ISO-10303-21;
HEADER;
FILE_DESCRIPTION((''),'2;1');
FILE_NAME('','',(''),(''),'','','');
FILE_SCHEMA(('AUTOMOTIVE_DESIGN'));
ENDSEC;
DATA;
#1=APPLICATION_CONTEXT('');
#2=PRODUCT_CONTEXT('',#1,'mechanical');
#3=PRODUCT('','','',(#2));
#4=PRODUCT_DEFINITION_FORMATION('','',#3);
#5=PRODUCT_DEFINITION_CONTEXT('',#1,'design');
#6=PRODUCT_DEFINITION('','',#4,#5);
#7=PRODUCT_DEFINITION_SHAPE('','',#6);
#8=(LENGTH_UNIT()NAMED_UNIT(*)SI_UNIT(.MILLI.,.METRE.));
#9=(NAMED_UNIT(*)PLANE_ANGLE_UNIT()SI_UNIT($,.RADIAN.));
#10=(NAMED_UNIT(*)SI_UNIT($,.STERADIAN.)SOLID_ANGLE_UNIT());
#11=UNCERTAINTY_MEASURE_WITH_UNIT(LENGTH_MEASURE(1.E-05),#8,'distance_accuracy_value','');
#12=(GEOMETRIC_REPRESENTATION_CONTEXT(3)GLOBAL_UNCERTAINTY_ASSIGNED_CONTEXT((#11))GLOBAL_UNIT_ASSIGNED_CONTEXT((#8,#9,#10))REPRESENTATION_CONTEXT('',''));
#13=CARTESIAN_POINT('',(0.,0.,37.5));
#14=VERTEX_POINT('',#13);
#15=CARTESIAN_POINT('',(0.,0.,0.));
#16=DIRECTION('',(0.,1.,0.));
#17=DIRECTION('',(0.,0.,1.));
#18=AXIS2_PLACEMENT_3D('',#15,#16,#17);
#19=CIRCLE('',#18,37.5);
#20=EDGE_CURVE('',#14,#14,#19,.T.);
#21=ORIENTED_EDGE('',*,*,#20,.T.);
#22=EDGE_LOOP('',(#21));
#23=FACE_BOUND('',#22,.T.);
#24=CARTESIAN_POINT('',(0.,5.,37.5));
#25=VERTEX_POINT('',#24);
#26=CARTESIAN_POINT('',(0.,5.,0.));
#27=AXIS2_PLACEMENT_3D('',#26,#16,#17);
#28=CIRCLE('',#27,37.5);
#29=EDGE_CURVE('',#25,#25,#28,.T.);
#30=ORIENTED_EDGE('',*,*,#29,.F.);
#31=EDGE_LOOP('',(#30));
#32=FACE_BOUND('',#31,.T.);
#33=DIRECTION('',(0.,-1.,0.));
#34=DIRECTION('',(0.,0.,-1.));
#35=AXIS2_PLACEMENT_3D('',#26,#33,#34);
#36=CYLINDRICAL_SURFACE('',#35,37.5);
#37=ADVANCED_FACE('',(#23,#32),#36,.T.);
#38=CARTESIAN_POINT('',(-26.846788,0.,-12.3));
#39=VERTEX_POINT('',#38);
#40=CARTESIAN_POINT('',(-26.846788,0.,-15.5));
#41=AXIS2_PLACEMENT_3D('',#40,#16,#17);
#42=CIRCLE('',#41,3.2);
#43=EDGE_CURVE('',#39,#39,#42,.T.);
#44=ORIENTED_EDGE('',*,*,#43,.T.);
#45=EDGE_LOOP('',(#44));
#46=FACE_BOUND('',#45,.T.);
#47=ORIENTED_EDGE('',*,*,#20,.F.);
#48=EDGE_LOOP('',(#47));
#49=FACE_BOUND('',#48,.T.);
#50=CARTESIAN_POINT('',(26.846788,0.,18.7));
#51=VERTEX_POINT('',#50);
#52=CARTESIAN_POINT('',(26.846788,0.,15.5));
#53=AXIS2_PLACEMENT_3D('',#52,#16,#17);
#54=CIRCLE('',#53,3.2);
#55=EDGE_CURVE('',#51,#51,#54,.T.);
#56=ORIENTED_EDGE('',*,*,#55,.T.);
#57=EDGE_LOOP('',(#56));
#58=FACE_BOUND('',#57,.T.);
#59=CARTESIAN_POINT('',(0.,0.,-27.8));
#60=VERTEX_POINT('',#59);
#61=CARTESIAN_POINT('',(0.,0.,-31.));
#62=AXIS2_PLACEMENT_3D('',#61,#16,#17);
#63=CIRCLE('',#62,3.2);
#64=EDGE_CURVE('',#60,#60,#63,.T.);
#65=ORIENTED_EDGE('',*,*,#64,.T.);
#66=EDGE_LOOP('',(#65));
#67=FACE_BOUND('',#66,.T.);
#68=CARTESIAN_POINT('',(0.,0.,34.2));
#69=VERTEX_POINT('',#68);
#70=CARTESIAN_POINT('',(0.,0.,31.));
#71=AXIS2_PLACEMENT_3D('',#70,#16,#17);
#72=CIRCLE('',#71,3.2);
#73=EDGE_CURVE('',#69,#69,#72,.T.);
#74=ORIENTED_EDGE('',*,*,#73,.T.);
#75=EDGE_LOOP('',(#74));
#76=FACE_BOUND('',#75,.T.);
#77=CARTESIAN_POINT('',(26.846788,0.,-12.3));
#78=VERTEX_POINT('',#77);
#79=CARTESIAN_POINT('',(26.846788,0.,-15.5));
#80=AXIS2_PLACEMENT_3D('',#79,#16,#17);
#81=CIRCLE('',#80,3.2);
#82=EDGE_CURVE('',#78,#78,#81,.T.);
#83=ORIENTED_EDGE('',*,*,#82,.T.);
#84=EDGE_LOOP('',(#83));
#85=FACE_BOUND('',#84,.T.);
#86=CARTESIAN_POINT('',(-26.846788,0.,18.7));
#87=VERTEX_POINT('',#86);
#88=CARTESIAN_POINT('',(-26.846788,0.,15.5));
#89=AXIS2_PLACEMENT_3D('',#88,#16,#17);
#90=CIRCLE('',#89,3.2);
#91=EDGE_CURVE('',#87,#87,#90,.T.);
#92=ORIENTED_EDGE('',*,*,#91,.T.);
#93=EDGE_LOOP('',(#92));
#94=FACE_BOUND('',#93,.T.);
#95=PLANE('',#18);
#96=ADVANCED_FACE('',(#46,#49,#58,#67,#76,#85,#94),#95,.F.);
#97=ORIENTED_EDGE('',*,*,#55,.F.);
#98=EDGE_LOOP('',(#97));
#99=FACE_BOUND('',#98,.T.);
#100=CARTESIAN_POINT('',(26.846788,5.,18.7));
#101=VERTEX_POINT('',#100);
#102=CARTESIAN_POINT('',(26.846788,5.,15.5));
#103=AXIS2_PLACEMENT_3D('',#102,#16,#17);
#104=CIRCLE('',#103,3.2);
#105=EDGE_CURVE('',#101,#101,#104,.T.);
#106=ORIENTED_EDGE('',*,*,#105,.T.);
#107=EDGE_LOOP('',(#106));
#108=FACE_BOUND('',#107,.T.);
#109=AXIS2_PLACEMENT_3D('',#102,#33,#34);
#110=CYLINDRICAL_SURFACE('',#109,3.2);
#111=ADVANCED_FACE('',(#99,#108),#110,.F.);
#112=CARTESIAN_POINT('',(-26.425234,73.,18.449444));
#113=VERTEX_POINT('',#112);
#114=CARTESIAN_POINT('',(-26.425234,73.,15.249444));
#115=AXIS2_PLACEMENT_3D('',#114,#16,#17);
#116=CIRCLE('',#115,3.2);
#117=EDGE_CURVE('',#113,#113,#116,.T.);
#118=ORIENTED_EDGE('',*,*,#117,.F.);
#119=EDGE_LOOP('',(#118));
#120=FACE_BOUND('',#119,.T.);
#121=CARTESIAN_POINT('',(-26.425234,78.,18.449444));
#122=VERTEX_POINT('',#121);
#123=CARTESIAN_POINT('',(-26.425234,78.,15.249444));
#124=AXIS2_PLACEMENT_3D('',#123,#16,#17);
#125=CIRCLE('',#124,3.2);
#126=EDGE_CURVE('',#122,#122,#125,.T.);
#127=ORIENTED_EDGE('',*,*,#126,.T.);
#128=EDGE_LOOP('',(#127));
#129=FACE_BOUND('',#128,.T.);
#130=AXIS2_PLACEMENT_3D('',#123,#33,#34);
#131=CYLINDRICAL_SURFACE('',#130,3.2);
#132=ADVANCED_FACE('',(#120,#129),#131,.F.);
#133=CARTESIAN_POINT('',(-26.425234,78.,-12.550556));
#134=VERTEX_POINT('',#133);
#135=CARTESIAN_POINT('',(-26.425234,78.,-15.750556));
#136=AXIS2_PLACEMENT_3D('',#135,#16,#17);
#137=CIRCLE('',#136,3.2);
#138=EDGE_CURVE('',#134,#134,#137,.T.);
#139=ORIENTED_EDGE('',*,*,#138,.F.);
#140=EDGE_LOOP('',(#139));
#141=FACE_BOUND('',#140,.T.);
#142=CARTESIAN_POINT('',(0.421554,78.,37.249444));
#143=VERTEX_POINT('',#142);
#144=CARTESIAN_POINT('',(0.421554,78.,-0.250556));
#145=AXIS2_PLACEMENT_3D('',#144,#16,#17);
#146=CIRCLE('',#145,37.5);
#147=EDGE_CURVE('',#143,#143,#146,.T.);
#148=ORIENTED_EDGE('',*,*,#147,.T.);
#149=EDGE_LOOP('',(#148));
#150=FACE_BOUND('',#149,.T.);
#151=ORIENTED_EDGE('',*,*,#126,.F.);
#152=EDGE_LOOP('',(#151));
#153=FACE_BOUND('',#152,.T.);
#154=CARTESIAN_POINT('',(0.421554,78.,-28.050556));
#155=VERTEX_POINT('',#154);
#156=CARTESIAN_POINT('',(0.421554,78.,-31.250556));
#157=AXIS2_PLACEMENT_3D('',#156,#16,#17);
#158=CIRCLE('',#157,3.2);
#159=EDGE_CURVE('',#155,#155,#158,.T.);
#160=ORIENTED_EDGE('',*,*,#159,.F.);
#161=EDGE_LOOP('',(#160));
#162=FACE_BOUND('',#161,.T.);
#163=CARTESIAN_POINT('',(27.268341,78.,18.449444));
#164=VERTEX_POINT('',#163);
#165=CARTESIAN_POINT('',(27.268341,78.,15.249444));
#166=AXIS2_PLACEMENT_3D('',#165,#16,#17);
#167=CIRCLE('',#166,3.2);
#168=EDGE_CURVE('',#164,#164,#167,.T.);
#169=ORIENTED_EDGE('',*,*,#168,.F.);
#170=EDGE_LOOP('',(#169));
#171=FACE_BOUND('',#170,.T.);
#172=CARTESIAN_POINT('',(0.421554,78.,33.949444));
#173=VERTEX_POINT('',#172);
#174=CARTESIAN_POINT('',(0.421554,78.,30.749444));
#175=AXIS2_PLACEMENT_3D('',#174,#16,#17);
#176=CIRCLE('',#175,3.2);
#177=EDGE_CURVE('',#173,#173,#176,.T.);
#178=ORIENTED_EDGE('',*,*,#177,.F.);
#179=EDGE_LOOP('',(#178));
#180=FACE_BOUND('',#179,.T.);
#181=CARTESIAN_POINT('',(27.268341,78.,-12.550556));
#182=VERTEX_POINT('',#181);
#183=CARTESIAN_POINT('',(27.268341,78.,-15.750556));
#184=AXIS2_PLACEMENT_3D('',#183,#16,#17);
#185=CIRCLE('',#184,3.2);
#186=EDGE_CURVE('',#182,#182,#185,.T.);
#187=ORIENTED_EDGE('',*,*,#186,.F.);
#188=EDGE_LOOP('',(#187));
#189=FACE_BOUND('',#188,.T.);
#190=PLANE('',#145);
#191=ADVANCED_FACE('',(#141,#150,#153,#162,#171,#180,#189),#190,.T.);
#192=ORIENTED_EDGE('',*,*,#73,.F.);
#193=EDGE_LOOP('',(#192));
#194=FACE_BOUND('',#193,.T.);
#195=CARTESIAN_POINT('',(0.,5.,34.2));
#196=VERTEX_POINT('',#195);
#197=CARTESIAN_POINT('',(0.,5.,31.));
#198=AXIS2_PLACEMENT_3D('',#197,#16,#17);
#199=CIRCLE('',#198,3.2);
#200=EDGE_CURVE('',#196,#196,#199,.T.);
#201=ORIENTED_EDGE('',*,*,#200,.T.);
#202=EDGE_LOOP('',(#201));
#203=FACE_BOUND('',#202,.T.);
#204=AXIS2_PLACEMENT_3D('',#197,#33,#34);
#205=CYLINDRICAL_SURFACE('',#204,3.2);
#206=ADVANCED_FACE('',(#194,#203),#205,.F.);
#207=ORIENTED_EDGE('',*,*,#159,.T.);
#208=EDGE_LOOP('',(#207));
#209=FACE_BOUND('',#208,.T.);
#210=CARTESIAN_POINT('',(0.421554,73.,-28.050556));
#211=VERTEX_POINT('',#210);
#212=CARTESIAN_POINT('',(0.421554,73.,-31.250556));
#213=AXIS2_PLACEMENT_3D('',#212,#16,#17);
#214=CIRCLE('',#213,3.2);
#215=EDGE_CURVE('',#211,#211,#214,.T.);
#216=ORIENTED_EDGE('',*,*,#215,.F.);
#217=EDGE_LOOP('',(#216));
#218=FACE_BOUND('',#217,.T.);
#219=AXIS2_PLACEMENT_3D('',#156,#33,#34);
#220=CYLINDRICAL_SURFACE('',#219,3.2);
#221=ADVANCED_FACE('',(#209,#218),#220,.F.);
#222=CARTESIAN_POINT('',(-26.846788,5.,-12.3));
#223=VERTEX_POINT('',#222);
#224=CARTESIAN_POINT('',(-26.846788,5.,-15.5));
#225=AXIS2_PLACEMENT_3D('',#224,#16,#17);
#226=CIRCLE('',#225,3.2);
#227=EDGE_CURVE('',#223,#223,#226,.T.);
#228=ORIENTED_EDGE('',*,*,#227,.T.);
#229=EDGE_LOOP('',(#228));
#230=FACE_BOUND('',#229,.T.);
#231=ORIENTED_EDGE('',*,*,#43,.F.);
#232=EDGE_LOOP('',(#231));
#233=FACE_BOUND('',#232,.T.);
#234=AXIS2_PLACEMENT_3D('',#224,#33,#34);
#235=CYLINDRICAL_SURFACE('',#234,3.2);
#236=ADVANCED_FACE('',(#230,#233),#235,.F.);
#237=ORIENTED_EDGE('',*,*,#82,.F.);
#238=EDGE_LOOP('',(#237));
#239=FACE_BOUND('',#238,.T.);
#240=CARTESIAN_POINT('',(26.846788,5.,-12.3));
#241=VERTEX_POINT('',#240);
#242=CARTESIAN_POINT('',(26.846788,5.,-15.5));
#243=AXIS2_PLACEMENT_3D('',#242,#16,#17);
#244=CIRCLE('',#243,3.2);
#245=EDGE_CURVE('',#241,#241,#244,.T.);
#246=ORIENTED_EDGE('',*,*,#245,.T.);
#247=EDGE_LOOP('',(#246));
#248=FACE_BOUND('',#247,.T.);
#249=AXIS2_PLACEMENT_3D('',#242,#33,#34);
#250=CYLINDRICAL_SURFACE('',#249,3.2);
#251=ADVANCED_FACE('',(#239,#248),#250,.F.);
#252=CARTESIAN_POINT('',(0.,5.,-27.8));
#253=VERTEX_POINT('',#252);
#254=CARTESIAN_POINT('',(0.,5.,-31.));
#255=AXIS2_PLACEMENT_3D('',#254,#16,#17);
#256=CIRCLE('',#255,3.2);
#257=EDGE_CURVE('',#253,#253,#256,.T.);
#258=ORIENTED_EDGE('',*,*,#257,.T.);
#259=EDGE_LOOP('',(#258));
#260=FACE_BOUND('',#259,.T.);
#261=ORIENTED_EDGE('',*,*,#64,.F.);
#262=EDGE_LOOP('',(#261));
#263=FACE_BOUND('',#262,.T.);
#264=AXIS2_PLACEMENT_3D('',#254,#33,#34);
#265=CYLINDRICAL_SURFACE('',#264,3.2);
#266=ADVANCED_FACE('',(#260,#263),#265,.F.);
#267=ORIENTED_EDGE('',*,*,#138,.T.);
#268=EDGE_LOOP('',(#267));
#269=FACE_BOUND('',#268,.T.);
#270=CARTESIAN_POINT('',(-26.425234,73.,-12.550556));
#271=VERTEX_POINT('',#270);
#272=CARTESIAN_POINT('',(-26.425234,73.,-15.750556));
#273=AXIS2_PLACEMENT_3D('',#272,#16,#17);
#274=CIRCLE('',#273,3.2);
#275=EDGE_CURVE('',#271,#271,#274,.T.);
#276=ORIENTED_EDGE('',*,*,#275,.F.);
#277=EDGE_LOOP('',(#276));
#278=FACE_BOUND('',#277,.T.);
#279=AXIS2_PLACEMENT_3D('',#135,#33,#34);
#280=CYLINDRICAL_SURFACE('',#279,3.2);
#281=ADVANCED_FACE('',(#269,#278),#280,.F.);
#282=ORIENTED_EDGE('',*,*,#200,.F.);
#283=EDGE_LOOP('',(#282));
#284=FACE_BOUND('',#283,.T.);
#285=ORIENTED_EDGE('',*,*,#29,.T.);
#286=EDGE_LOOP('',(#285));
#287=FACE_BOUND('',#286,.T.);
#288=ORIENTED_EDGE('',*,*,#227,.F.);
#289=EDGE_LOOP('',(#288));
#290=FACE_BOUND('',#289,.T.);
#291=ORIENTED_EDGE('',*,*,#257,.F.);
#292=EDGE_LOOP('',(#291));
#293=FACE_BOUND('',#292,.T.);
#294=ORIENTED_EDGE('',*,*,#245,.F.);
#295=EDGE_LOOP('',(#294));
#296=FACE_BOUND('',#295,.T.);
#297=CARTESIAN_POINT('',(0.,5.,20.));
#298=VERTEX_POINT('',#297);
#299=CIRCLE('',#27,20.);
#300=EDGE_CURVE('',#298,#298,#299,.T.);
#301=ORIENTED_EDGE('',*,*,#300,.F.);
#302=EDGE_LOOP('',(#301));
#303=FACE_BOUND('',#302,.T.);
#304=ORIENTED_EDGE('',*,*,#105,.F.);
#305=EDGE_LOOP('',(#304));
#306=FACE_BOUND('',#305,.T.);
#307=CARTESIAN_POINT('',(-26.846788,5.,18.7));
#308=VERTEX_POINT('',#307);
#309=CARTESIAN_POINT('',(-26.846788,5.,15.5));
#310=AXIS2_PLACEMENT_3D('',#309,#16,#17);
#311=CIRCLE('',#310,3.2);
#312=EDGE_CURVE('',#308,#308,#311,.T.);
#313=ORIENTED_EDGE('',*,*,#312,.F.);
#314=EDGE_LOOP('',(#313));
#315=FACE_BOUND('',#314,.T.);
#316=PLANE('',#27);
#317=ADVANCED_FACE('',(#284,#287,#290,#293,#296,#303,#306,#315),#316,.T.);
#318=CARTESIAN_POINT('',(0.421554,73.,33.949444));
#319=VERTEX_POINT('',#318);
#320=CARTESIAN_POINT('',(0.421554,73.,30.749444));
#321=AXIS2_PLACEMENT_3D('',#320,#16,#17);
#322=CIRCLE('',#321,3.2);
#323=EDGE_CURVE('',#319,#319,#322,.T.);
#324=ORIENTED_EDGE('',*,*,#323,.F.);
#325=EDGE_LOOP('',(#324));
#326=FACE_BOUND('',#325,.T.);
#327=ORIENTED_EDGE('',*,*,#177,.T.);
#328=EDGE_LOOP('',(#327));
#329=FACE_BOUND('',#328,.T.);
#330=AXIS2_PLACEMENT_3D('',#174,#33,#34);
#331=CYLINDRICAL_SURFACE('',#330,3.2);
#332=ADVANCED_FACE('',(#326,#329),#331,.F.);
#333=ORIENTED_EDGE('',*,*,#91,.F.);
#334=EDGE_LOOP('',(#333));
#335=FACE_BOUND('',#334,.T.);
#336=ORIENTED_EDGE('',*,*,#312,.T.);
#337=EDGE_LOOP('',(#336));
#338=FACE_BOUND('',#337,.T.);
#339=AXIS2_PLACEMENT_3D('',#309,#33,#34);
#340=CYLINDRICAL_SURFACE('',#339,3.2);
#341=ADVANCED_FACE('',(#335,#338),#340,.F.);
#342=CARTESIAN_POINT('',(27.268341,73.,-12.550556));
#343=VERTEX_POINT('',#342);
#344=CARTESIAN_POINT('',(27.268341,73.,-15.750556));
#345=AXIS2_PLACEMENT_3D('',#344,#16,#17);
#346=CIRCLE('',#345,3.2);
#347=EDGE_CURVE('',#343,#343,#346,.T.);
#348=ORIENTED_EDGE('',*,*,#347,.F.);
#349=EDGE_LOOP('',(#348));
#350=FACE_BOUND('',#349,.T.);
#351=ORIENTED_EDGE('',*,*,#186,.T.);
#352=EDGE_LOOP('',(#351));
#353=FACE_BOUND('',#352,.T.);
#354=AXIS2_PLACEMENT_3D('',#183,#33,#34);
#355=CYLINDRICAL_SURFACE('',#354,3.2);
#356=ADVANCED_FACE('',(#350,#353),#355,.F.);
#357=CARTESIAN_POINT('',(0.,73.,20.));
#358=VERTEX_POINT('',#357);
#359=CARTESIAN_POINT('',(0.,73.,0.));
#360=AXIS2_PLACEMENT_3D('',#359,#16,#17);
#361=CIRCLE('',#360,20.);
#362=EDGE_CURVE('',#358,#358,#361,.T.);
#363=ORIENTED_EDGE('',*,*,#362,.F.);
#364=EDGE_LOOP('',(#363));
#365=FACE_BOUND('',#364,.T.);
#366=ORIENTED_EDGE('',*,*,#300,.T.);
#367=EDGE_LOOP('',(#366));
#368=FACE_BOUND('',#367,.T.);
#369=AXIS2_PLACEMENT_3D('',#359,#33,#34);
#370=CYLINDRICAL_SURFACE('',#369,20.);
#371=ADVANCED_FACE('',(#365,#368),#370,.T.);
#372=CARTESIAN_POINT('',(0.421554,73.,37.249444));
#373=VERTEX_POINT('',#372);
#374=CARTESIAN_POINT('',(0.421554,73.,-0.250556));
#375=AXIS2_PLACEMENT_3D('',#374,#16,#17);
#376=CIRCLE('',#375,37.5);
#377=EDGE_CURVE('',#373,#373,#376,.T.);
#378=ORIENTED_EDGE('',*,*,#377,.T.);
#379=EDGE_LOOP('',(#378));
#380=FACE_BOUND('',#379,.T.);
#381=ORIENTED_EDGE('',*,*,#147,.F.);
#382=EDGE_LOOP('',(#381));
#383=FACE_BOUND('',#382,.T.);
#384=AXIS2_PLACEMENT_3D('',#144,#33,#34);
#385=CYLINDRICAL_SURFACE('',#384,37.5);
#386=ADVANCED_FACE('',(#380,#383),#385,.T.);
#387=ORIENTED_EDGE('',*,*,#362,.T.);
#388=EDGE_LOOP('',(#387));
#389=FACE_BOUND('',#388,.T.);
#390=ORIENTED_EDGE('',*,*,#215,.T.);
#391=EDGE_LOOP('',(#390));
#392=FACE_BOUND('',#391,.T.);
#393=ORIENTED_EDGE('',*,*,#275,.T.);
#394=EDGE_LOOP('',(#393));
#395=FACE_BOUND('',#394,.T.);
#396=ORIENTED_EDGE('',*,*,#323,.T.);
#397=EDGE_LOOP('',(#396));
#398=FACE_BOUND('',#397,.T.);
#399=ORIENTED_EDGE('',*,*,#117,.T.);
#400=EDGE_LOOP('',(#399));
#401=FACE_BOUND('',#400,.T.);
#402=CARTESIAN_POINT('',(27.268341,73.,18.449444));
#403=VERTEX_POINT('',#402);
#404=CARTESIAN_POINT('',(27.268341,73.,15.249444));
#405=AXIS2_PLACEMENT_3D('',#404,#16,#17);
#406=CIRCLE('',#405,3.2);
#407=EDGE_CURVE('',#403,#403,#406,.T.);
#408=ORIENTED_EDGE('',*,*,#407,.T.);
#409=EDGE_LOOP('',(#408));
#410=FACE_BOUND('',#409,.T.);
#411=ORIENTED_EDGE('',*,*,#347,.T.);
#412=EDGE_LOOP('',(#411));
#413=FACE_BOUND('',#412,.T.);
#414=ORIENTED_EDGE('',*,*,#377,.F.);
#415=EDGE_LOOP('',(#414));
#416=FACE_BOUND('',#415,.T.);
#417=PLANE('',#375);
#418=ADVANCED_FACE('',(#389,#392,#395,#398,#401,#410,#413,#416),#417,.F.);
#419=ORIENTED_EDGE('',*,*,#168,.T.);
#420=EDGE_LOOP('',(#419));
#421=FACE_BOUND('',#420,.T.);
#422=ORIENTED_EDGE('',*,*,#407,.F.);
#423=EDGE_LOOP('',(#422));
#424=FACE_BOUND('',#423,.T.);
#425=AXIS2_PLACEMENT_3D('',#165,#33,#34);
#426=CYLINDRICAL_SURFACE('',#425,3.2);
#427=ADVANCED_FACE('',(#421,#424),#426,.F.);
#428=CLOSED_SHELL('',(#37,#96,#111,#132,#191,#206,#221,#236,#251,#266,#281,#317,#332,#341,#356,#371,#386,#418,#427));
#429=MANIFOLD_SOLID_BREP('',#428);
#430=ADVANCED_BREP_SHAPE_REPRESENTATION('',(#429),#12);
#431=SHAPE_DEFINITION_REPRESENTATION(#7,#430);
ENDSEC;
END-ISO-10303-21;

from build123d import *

# Parameters (mm, degrees)
SKETCH1_R           = 37.5
SKETCH1_R_2         = 3.2
BOSS_EXTRUDE1_DEPTH = 5
SKETCH2_R           = 20
BOSS_EXTRUDE2_DEPTH = 68
SKETCH5_R           = 37.5
SKETCH5_R_2         = 3.2
BOSS_EXTRUDE3_DEPTH = 5


with BuildPart() as part:
    # Sketch1 → Boss-Extrude1 (new body)
    with BuildSketch(Plane(origin=(0, 0, 0), x_dir=(1, 0, 0), z_dir=(0, 1, 0))):
        Circle(SKETCH1_R)
        with Locations((0, 31)):
            Circle(SKETCH1_R_2, mode=Mode.SUBTRACT)
        with Locations((26.846787517, 15.5)):
            Circle(SKETCH1_R_2, mode=Mode.SUBTRACT)
        with Locations((26.846787517, -15.5)):
            Circle(SKETCH1_R_2, mode=Mode.SUBTRACT)
        with Locations((0, -31)):
            Circle(SKETCH1_R_2, mode=Mode.SUBTRACT)
        with Locations((-26.846787517, -15.5)):
            Circle(SKETCH1_R_2, mode=Mode.SUBTRACT)
        with Locations((-26.846787517, 15.5)):
            Circle(SKETCH1_R_2, mode=Mode.SUBTRACT)
    extrude(amount=BOSS_EXTRUDE1_DEPTH)

    # Sketch2 → Boss-Extrude2 (add)
    with BuildSketch(Plane(origin=(0, 5, 0), x_dir=(1, 0, 0), z_dir=(0, 1, 0))):
        Circle(SKETCH2_R)
    extrude(amount=BOSS_EXTRUDE2_DEPTH)

    # Sketch5 → Boss-Extrude3 (add)
    with BuildSketch(Plane(origin=(0, 73, 0), x_dir=(1, 0, 0), z_dir=(0, 1, 0))):
        with Locations((0.421553843, 0.250555935)):
            Circle(SKETCH5_R)
        with Locations((0.421553843, 31.250555935)):
            Circle(SKETCH5_R_2, mode=Mode.SUBTRACT)
        with Locations((27.268341361, 15.750555935)):
            Circle(SKETCH5_R_2, mode=Mode.SUBTRACT)
        with Locations((27.268341361, -15.249444065)):
            Circle(SKETCH5_R_2, mode=Mode.SUBTRACT)
        with Locations((0.421553843, -30.749444065)):
            Circle(SKETCH5_R_2, mode=Mode.SUBTRACT)
        with Locations((-26.425233674, -15.249444065)):
            Circle(SKETCH5_R_2, mode=Mode.SUBTRACT)
        with Locations((-26.425233674, 15.750555935)):
            Circle(SKETCH5_R_2, mode=Mode.SUBTRACT)
    extrude(amount=BOSS_EXTRUDE3_DEPTH)


solid = part.part
